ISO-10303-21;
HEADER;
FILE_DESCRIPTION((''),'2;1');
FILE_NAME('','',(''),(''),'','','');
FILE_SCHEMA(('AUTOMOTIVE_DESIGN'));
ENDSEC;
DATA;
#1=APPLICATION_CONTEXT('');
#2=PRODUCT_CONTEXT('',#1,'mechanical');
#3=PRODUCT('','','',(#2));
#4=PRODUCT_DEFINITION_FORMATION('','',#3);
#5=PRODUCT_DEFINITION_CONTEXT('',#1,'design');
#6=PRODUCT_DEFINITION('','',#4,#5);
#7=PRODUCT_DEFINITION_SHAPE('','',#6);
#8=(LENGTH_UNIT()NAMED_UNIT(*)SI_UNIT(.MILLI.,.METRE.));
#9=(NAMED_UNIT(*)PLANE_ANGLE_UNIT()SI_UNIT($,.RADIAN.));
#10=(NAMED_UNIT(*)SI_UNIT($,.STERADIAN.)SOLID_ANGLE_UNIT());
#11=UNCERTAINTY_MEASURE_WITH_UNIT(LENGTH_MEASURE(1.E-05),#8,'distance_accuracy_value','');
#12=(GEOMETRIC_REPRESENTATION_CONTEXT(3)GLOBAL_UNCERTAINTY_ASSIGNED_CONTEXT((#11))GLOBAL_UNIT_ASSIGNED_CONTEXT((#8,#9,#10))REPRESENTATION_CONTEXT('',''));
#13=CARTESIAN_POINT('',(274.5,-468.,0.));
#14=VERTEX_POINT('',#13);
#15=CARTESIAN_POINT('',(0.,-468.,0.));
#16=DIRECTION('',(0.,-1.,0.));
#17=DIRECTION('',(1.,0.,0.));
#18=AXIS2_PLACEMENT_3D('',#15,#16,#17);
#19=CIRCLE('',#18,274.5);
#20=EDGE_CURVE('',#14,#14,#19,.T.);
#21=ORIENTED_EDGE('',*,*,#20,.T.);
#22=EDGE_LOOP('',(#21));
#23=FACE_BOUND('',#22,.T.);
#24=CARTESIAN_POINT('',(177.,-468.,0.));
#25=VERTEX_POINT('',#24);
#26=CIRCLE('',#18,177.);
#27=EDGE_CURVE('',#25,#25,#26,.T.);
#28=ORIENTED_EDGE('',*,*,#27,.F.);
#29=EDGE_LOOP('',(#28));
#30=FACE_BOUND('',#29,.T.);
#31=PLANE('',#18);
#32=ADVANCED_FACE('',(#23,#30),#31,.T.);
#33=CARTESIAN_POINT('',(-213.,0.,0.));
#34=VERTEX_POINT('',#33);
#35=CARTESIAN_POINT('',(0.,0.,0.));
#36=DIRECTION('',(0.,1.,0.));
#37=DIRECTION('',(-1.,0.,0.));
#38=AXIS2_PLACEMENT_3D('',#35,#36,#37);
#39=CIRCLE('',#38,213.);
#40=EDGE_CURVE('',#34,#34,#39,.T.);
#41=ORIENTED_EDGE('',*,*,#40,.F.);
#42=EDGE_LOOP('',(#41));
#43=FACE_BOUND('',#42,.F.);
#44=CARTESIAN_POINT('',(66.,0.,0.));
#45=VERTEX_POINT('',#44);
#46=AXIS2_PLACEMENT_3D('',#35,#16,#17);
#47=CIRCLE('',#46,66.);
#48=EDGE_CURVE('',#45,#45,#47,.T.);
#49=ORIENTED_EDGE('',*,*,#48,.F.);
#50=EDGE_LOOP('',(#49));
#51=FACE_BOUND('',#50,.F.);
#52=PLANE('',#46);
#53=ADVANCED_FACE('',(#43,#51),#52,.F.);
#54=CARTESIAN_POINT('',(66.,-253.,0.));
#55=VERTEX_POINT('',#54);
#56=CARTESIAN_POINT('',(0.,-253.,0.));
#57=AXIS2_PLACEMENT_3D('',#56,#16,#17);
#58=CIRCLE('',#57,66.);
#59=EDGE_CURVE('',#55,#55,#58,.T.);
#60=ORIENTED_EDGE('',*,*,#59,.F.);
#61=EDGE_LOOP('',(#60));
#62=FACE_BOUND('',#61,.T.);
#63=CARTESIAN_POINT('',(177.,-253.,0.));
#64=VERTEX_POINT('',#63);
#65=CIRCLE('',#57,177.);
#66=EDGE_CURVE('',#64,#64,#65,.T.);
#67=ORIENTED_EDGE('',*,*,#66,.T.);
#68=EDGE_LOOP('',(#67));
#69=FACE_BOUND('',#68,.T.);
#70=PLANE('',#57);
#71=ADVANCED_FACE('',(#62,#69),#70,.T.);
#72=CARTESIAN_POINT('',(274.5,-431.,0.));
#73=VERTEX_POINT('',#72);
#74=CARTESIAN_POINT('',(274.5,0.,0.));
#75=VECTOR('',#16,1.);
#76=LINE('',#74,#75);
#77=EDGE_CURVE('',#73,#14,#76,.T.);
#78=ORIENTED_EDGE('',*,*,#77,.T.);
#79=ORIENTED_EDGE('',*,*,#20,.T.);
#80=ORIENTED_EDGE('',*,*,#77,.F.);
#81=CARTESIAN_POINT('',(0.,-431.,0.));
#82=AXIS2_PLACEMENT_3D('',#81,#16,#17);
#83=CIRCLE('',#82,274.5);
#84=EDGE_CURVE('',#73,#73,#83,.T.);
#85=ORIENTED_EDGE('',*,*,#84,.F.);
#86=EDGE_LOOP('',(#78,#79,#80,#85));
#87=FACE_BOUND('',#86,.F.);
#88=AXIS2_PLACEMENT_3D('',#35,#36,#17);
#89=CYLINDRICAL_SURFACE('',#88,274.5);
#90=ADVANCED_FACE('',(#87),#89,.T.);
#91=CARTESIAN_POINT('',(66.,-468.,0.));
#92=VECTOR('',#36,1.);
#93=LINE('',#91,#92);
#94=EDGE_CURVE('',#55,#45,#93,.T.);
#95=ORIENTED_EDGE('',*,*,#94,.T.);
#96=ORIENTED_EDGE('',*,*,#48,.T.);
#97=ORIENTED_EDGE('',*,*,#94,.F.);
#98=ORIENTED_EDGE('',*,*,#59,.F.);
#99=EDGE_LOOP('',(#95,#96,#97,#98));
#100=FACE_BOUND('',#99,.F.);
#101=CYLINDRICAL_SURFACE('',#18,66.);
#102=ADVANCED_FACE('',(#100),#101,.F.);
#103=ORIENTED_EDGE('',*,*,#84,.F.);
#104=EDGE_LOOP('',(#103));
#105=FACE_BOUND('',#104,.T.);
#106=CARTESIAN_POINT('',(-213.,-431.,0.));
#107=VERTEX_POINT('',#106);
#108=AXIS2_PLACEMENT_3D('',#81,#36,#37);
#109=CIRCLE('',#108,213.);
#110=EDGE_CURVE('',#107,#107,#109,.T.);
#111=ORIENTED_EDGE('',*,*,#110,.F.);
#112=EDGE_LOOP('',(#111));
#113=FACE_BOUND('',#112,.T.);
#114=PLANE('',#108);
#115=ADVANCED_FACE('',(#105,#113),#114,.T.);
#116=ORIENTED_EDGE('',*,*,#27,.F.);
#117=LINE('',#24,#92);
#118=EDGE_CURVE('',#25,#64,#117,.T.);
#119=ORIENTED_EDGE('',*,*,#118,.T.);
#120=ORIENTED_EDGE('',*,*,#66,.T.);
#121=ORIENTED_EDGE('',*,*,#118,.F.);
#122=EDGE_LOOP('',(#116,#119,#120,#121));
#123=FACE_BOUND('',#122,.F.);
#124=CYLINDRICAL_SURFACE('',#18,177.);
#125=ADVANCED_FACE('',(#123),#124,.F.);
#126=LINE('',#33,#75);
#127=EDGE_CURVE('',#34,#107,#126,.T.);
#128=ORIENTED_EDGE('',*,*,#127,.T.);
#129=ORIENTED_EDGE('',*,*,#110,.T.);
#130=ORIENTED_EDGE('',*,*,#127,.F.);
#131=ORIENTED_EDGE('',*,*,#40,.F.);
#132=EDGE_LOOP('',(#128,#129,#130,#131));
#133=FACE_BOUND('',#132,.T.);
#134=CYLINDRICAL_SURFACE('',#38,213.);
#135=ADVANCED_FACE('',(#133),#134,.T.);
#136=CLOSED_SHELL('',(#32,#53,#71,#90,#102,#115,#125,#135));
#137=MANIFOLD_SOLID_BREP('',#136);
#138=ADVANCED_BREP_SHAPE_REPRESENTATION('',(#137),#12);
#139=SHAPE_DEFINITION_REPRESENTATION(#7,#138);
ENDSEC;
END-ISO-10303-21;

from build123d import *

# Parameters (mm, degrees)
F0_R     = 274.5
F1_DEPTH = 468
F2_R     = 66
F3_DEPTH = 468
F4_R     = 177
F4_R_2   = 66
F5_DEPTH = 215
F6_R     = 274.5
F6_R_2   = 213
F7_DEPTH = 431


with BuildPart() as f1:
    # F0 (on Front) → F1 (new body)
    with BuildSketch(Plane.XZ):
        Circle(F0_R)
    extrude(amount=F1_DEPTH)

    # F2 (on face) → F3 (cut)
    with BuildSketch(Plane.XZ.offset(468)):
        Circle(F2_R)
    extrude(amount=-F3_DEPTH, mode=Mode.SUBTRACT)

    # F4 (on face) → F5 (cut)
    with BuildSketch(Plane.XZ.offset(468)):
        Circle(F4_R)
        Circle(F4_R_2, mode=Mode.SUBTRACT)
    extrude(amount=-F5_DEPTH, mode=Mode.SUBTRACT)

    # F6 (on face) → F7 (cut)
    with BuildSketch(Plane(origin=(0, 0, 0), x_dir=(-1, 0, 0), z_dir=(0, 1, 0))):
        Circle(F6_R)
        Circle(F6_R_2, mode=Mode.SUBTRACT)
    extrude(amount=-F7_DEPTH, mode=Mode.SUBTRACT)


solid = f1.part
